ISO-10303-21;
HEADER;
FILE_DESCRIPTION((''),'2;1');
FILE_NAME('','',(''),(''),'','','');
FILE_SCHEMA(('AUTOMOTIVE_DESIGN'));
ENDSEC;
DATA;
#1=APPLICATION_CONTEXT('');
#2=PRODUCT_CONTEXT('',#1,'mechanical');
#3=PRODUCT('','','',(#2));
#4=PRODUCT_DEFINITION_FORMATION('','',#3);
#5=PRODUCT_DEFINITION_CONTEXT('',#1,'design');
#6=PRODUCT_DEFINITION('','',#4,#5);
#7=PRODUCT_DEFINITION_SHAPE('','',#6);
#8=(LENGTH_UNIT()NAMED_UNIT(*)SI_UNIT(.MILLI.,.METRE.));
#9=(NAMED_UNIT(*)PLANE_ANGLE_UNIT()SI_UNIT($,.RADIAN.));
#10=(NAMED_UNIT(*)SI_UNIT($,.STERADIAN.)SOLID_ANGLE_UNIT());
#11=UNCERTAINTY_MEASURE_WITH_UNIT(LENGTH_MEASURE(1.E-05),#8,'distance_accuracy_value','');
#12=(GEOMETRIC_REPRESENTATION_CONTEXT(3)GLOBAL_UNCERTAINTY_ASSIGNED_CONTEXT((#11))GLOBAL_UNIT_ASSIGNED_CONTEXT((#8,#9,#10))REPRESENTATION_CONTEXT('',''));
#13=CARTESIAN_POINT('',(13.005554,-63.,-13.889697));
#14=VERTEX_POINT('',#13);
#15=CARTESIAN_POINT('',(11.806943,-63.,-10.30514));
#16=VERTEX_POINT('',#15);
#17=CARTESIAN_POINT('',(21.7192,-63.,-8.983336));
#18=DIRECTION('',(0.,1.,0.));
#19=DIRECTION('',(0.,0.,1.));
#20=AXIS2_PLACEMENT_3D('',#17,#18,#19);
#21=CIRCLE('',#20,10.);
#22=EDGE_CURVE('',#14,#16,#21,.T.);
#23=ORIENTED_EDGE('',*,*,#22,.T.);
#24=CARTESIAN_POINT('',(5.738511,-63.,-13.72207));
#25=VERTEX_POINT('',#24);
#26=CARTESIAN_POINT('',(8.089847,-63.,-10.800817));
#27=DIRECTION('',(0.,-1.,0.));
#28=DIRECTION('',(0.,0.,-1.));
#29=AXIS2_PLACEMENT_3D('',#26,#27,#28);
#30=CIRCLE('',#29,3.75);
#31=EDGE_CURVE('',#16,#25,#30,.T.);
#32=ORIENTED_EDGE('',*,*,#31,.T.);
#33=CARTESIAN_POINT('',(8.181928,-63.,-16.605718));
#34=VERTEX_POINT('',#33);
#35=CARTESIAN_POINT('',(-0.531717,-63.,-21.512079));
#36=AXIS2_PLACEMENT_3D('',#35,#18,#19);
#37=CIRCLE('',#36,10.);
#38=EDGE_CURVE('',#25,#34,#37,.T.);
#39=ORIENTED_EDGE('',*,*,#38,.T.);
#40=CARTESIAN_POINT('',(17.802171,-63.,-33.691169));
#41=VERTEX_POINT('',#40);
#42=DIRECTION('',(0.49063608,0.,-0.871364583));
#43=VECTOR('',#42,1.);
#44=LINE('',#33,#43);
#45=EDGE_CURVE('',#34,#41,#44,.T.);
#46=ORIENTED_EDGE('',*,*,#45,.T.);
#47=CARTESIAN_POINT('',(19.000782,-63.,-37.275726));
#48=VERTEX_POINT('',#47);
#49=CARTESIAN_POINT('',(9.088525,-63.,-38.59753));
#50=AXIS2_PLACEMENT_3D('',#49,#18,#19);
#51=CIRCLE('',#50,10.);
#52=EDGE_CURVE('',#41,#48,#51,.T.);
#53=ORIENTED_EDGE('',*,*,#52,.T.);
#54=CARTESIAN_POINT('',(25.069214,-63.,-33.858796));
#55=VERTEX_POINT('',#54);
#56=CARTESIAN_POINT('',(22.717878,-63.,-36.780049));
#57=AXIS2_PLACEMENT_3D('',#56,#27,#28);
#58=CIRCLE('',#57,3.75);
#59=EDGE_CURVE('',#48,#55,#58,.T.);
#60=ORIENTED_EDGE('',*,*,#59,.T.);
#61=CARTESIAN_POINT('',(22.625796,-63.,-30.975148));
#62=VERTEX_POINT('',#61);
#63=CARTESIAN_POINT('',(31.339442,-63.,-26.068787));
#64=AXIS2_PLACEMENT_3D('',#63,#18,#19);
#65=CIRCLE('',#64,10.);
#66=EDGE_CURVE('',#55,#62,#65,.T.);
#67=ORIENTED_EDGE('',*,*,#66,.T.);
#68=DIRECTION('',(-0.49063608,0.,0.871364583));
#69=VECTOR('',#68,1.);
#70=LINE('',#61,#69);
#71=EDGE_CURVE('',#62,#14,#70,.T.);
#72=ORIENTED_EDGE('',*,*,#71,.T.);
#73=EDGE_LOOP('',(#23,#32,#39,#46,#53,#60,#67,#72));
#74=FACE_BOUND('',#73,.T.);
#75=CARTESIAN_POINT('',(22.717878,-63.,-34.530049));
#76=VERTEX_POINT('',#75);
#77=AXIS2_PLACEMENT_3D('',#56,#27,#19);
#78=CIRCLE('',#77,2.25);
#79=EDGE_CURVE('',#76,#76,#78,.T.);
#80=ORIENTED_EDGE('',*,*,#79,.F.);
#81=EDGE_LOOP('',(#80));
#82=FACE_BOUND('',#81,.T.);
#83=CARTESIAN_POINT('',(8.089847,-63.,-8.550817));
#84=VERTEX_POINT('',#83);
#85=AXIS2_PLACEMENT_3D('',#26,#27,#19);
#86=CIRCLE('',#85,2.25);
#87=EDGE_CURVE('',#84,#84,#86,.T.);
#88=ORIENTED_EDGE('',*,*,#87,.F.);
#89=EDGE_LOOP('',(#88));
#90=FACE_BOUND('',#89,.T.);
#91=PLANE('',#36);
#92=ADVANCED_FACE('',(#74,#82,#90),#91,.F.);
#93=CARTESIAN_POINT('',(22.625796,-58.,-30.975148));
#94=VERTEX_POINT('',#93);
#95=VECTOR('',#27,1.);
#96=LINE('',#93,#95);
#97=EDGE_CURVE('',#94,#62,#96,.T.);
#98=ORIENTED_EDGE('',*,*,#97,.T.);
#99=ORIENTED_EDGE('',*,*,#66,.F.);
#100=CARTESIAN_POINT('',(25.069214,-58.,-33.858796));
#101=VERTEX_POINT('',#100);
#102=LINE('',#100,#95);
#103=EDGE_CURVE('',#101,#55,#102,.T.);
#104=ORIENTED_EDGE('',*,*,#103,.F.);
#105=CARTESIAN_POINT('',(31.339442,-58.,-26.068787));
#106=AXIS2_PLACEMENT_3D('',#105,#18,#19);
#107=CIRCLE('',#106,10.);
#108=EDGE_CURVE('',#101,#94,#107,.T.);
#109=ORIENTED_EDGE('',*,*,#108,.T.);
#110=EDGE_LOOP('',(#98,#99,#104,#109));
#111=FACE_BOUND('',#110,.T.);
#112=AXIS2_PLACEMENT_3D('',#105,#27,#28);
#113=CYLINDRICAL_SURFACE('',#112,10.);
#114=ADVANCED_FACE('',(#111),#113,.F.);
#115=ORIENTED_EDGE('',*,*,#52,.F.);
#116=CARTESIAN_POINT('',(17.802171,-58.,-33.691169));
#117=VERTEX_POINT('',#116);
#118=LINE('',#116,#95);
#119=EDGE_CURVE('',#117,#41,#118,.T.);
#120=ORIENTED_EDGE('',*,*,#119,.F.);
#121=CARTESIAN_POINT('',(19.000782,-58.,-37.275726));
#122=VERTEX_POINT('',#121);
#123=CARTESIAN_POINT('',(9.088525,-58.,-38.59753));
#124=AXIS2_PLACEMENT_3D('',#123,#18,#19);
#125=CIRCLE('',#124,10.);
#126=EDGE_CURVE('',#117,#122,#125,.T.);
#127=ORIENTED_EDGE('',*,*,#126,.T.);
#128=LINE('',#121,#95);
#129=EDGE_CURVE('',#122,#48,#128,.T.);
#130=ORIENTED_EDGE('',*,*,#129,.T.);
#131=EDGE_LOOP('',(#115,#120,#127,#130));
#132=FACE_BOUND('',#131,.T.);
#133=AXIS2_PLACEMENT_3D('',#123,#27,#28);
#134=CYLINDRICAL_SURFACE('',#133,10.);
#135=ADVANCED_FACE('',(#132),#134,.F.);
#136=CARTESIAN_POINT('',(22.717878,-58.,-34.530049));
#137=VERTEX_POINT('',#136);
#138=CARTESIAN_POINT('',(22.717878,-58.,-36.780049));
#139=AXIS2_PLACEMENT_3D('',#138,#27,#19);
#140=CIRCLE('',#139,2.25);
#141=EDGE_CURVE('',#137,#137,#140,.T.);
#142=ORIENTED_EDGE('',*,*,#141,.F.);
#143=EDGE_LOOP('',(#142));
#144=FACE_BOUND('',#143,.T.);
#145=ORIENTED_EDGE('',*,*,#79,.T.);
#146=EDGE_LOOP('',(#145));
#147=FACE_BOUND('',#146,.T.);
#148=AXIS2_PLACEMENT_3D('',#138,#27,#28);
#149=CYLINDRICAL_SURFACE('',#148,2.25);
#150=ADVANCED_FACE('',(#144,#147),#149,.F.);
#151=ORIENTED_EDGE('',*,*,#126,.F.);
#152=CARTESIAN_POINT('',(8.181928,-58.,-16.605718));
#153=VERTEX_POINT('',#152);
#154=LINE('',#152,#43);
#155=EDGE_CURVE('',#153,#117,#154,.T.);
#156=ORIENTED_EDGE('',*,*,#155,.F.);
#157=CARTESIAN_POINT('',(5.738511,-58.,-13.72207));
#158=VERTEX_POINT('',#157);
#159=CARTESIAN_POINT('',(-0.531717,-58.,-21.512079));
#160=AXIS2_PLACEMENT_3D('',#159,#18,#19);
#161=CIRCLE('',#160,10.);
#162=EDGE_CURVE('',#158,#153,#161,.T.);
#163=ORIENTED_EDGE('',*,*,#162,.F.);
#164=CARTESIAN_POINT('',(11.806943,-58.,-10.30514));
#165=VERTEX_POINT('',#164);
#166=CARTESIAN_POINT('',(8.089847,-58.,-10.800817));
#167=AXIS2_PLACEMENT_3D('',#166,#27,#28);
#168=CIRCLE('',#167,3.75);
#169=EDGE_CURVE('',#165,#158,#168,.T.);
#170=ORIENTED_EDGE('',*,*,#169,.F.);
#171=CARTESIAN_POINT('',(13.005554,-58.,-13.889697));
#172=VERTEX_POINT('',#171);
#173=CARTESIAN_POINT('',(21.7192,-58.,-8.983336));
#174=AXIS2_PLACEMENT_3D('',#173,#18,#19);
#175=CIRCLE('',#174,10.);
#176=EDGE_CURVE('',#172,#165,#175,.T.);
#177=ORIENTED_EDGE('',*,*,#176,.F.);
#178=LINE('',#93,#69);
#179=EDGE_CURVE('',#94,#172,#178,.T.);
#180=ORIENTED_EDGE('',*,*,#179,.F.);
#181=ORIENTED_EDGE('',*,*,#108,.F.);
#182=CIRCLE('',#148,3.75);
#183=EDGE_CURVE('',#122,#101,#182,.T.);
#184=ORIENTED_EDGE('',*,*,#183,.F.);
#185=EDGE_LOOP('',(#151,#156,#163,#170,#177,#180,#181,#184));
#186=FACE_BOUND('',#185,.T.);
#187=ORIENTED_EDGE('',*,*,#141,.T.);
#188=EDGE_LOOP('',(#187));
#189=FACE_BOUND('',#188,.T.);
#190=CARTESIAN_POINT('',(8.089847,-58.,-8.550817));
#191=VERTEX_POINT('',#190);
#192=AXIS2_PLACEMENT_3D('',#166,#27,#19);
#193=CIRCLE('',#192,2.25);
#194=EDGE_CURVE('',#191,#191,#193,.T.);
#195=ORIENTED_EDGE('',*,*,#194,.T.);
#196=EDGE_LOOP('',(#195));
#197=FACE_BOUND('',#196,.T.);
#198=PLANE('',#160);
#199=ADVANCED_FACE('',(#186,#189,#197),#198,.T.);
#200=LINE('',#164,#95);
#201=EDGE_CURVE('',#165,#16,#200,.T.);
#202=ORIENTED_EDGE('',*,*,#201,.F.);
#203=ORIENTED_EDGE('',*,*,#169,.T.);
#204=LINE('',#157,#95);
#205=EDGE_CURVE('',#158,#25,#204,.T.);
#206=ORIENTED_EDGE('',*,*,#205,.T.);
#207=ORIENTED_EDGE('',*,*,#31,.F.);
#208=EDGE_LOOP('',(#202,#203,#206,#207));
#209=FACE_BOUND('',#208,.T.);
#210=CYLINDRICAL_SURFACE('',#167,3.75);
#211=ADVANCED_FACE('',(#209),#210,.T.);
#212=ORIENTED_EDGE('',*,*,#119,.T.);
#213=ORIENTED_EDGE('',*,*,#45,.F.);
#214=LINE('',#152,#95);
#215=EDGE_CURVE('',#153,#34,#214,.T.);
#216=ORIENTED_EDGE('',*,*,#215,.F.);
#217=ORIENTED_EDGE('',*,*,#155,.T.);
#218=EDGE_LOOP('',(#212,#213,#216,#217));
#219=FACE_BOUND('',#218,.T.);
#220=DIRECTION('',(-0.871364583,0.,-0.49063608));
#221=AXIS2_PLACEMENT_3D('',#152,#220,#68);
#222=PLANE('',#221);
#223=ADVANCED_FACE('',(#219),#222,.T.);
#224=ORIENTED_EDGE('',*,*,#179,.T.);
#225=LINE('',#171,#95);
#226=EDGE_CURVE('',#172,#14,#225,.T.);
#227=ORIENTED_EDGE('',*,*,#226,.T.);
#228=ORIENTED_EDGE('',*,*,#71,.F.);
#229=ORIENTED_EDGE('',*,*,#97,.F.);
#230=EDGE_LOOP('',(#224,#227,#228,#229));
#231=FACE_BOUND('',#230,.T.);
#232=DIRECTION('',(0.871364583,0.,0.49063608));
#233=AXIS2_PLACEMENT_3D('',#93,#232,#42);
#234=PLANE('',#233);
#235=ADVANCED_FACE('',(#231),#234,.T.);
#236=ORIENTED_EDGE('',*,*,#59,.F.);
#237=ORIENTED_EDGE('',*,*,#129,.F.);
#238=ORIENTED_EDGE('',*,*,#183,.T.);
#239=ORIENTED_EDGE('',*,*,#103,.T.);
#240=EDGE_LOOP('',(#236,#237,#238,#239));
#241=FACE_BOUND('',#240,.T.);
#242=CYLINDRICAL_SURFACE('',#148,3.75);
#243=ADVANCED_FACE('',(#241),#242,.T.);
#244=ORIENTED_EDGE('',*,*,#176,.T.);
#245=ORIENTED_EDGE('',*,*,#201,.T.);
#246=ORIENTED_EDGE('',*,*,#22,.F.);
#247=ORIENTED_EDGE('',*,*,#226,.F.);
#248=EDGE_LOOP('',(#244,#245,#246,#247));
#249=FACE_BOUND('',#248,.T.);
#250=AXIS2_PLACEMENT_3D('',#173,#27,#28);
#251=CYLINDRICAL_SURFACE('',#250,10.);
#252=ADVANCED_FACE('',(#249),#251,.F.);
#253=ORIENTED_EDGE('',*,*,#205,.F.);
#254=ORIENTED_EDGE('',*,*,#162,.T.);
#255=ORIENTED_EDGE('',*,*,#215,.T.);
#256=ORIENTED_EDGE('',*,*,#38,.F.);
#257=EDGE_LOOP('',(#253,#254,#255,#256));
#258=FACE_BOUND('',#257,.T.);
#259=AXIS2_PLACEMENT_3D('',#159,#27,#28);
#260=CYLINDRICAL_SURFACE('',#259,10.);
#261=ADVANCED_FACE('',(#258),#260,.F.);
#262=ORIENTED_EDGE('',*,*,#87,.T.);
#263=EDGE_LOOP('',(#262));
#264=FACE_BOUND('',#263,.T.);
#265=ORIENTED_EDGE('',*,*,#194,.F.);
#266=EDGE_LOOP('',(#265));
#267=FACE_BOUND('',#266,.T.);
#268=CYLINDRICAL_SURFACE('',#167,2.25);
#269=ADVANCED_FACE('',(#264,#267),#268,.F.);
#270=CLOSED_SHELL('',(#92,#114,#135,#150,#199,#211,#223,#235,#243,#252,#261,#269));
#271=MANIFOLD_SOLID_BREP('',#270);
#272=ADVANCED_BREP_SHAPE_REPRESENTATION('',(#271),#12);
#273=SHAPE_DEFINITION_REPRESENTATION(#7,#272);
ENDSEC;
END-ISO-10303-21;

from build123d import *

# Parameters (mm, degrees)
SKETCH1_R           = 2.25
BOSS_EXTRUDE1_DEPTH = 5


with BuildPart() as part:
    # Sketch1 → Boss-Extrude1 (new body)
    with BuildSketch(Plane.XZ.offset(63)):
        with BuildLine():
            Line((8.181928414, -16.605718064), (17.802171103, -33.691169181))
            ThreePointArc((17.802171103, -33.691169181), (18.572370652, -35.426303597), (19.000782012, -37.275725803))
            ThreePointArc((19.000782012, -37.275725803), (24.55776359, -40.047666423), (25.069213931, -33.85879596))
            ThreePointArc((25.069213931, -33.85879596), (23.710027, -32.533462163), (22.625796475, -30.975148024))
            Line((22.625796475, -30.975148024), (13.005553786, -13.889696907))
            ThreePointArc((13.005553786, -13.889696907), (12.235354237, -12.15456249), (11.806942877, -10.305140285))
            ThreePointArc((11.806942877, -10.305140285), (6.249961299, -7.533199664), (5.738510958, -13.722070128))
            ThreePointArc((5.738510958, -13.722070128), (7.097697889, -15.047403925), (8.181928414, -16.605718064))
        make_face()
        with Locations((22.71787829, -36.780049236)):
            Circle(SKETCH1_R, mode=Mode.SUBTRACT)
        with Locations((8.089846599, -10.800816852)):
            Circle(SKETCH1_R, mode=Mode.SUBTRACT)
    extrude(amount=-BOSS_EXTRUDE1_DEPTH)


solid = part.part
